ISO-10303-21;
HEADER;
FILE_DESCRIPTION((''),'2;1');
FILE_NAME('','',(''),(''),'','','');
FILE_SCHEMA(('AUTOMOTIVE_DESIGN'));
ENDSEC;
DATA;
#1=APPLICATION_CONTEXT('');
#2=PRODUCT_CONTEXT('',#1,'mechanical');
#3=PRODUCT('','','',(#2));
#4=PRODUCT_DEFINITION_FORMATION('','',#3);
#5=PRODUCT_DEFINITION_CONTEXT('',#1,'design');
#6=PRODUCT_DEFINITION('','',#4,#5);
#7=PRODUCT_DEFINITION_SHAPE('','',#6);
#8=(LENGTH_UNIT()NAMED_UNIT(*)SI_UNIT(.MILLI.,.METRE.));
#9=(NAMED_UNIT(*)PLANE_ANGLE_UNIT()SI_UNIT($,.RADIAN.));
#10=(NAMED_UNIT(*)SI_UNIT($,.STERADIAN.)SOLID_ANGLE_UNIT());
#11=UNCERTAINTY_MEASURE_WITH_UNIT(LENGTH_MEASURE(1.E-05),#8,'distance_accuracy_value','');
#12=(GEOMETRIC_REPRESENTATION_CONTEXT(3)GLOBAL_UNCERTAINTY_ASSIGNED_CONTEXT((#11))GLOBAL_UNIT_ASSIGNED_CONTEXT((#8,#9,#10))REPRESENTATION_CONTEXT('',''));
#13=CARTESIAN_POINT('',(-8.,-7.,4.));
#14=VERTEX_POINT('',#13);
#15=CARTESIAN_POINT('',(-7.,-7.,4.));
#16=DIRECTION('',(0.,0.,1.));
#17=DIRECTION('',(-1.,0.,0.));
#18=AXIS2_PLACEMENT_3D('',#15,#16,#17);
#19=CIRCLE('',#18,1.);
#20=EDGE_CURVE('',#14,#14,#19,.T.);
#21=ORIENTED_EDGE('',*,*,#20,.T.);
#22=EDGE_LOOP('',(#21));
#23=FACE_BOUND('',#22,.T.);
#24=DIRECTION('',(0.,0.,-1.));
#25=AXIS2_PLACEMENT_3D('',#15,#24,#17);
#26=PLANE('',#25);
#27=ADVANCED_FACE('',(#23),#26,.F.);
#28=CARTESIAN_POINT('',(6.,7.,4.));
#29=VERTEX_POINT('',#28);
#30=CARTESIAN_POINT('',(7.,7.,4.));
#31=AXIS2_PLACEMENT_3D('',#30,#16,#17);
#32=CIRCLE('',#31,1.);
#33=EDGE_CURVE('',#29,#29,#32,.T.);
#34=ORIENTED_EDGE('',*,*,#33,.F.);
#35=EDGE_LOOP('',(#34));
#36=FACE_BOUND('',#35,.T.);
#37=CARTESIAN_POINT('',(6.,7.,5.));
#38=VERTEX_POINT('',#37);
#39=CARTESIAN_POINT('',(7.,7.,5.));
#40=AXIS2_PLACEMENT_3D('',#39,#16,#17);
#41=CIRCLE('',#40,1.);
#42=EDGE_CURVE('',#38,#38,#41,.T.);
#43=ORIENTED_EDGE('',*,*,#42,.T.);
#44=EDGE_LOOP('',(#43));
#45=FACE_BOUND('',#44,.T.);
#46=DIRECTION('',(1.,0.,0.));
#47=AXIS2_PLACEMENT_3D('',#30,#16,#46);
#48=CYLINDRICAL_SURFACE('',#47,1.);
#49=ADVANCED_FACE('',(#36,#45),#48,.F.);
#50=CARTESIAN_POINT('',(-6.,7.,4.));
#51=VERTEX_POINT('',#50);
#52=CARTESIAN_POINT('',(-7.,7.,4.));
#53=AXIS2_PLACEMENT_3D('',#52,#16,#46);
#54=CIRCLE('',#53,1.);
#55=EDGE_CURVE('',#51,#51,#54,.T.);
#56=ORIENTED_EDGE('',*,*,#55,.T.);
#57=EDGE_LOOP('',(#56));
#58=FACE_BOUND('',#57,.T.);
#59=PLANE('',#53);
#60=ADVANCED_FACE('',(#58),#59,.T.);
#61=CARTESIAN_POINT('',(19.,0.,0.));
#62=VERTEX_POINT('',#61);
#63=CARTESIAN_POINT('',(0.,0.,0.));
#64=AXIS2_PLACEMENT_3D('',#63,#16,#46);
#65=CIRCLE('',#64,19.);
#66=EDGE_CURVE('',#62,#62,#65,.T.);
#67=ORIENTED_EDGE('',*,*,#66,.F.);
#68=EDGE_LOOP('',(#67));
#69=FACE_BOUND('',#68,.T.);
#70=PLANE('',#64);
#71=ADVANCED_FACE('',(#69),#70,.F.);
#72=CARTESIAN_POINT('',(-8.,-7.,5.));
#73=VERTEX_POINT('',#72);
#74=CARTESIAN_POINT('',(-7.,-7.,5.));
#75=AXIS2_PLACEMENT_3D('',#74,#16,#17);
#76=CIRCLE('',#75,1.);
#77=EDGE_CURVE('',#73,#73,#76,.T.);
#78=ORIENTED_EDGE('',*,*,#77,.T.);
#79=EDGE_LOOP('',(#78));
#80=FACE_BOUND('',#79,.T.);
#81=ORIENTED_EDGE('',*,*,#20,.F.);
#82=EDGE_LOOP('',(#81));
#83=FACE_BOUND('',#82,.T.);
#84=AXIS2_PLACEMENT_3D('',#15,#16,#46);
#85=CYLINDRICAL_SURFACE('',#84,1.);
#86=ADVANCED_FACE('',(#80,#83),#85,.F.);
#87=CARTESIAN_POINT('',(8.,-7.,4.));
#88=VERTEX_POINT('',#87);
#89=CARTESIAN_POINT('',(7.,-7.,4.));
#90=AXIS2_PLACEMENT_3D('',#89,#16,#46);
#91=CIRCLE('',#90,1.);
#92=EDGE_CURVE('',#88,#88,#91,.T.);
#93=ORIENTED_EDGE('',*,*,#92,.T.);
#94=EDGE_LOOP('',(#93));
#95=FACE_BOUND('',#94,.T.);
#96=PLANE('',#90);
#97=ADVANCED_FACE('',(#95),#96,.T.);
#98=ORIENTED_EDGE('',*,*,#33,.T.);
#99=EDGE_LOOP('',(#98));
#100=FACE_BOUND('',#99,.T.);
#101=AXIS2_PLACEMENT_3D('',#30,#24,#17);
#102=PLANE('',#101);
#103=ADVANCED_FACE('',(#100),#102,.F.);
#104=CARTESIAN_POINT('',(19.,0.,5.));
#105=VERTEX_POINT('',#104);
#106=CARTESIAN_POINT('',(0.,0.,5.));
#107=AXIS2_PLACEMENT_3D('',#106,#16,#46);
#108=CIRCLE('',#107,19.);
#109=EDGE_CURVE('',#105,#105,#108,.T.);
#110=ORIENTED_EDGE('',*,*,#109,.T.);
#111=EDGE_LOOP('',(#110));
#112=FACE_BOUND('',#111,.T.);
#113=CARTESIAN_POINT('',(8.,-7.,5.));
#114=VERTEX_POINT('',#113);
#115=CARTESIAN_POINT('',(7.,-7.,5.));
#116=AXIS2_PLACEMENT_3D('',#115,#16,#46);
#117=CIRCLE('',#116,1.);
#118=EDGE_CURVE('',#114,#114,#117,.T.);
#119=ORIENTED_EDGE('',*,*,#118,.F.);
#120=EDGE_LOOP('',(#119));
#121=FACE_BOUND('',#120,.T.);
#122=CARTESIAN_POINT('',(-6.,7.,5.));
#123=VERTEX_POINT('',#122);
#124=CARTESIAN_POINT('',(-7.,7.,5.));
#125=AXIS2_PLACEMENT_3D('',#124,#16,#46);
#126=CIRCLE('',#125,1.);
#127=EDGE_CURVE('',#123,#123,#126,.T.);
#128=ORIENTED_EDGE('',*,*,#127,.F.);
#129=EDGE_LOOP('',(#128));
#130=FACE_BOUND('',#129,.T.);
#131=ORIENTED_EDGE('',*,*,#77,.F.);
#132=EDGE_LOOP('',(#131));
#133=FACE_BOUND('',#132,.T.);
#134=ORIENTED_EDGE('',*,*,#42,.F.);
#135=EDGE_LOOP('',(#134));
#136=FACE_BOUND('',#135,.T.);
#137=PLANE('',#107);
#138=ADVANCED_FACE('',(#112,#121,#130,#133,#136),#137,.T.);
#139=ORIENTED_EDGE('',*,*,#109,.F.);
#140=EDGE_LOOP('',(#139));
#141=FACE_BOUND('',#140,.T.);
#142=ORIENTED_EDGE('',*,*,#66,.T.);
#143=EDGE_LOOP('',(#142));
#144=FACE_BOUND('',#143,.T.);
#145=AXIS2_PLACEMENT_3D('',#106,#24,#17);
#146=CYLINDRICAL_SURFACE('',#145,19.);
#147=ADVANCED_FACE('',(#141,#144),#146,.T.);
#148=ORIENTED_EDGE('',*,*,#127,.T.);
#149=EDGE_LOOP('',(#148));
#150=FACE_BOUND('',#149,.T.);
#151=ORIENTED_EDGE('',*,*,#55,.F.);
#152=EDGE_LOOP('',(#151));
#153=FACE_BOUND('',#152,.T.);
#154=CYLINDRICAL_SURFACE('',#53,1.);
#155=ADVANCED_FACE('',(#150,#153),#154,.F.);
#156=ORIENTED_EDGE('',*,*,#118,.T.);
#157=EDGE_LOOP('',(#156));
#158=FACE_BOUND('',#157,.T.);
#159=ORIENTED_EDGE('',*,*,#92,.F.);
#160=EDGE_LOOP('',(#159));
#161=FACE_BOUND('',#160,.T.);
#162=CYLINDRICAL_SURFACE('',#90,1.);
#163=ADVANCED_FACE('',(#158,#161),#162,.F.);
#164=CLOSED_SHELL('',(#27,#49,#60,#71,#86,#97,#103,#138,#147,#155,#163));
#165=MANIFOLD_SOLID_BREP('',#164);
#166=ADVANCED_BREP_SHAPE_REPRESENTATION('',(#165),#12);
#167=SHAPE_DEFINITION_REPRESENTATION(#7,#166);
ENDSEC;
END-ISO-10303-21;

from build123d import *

# Parameters (mm, degrees)
SKETCH1_R           = 19
BOSS_EXTRUDE1_DEPTH = 5
SKETCH2_R           = 1
CUT_EXTRUDE1_DEPTH  = 1


with BuildPart() as part:
    # Sketch1 → Boss-Extrude1 (new body)
    with BuildSketch(Plane.XY):
        Circle(SKETCH1_R)
    extrude(amount=BOSS_EXTRUDE1_DEPTH)

    # Sketch2 → Cut-Extrude1 (cut)
    with BuildSketch(Plane.XY.offset(5)):
        with Locations((-7, 7)):
            Circle(SKETCH2_R)
        with Locations(Location((7, 7, 0), (0, 0, 180))):
            Circle(SKETCH2_R)
        with Locations((7, -7)):
            Circle(SKETCH2_R)
        with Locations(Location((-7, -7, 0), (0, 0, 180))):
            Circle(SKETCH2_R)
    extrude(amount=-CUT_EXTRUDE1_DEPTH, mode=Mode.SUBTRACT)


solid = part.part
